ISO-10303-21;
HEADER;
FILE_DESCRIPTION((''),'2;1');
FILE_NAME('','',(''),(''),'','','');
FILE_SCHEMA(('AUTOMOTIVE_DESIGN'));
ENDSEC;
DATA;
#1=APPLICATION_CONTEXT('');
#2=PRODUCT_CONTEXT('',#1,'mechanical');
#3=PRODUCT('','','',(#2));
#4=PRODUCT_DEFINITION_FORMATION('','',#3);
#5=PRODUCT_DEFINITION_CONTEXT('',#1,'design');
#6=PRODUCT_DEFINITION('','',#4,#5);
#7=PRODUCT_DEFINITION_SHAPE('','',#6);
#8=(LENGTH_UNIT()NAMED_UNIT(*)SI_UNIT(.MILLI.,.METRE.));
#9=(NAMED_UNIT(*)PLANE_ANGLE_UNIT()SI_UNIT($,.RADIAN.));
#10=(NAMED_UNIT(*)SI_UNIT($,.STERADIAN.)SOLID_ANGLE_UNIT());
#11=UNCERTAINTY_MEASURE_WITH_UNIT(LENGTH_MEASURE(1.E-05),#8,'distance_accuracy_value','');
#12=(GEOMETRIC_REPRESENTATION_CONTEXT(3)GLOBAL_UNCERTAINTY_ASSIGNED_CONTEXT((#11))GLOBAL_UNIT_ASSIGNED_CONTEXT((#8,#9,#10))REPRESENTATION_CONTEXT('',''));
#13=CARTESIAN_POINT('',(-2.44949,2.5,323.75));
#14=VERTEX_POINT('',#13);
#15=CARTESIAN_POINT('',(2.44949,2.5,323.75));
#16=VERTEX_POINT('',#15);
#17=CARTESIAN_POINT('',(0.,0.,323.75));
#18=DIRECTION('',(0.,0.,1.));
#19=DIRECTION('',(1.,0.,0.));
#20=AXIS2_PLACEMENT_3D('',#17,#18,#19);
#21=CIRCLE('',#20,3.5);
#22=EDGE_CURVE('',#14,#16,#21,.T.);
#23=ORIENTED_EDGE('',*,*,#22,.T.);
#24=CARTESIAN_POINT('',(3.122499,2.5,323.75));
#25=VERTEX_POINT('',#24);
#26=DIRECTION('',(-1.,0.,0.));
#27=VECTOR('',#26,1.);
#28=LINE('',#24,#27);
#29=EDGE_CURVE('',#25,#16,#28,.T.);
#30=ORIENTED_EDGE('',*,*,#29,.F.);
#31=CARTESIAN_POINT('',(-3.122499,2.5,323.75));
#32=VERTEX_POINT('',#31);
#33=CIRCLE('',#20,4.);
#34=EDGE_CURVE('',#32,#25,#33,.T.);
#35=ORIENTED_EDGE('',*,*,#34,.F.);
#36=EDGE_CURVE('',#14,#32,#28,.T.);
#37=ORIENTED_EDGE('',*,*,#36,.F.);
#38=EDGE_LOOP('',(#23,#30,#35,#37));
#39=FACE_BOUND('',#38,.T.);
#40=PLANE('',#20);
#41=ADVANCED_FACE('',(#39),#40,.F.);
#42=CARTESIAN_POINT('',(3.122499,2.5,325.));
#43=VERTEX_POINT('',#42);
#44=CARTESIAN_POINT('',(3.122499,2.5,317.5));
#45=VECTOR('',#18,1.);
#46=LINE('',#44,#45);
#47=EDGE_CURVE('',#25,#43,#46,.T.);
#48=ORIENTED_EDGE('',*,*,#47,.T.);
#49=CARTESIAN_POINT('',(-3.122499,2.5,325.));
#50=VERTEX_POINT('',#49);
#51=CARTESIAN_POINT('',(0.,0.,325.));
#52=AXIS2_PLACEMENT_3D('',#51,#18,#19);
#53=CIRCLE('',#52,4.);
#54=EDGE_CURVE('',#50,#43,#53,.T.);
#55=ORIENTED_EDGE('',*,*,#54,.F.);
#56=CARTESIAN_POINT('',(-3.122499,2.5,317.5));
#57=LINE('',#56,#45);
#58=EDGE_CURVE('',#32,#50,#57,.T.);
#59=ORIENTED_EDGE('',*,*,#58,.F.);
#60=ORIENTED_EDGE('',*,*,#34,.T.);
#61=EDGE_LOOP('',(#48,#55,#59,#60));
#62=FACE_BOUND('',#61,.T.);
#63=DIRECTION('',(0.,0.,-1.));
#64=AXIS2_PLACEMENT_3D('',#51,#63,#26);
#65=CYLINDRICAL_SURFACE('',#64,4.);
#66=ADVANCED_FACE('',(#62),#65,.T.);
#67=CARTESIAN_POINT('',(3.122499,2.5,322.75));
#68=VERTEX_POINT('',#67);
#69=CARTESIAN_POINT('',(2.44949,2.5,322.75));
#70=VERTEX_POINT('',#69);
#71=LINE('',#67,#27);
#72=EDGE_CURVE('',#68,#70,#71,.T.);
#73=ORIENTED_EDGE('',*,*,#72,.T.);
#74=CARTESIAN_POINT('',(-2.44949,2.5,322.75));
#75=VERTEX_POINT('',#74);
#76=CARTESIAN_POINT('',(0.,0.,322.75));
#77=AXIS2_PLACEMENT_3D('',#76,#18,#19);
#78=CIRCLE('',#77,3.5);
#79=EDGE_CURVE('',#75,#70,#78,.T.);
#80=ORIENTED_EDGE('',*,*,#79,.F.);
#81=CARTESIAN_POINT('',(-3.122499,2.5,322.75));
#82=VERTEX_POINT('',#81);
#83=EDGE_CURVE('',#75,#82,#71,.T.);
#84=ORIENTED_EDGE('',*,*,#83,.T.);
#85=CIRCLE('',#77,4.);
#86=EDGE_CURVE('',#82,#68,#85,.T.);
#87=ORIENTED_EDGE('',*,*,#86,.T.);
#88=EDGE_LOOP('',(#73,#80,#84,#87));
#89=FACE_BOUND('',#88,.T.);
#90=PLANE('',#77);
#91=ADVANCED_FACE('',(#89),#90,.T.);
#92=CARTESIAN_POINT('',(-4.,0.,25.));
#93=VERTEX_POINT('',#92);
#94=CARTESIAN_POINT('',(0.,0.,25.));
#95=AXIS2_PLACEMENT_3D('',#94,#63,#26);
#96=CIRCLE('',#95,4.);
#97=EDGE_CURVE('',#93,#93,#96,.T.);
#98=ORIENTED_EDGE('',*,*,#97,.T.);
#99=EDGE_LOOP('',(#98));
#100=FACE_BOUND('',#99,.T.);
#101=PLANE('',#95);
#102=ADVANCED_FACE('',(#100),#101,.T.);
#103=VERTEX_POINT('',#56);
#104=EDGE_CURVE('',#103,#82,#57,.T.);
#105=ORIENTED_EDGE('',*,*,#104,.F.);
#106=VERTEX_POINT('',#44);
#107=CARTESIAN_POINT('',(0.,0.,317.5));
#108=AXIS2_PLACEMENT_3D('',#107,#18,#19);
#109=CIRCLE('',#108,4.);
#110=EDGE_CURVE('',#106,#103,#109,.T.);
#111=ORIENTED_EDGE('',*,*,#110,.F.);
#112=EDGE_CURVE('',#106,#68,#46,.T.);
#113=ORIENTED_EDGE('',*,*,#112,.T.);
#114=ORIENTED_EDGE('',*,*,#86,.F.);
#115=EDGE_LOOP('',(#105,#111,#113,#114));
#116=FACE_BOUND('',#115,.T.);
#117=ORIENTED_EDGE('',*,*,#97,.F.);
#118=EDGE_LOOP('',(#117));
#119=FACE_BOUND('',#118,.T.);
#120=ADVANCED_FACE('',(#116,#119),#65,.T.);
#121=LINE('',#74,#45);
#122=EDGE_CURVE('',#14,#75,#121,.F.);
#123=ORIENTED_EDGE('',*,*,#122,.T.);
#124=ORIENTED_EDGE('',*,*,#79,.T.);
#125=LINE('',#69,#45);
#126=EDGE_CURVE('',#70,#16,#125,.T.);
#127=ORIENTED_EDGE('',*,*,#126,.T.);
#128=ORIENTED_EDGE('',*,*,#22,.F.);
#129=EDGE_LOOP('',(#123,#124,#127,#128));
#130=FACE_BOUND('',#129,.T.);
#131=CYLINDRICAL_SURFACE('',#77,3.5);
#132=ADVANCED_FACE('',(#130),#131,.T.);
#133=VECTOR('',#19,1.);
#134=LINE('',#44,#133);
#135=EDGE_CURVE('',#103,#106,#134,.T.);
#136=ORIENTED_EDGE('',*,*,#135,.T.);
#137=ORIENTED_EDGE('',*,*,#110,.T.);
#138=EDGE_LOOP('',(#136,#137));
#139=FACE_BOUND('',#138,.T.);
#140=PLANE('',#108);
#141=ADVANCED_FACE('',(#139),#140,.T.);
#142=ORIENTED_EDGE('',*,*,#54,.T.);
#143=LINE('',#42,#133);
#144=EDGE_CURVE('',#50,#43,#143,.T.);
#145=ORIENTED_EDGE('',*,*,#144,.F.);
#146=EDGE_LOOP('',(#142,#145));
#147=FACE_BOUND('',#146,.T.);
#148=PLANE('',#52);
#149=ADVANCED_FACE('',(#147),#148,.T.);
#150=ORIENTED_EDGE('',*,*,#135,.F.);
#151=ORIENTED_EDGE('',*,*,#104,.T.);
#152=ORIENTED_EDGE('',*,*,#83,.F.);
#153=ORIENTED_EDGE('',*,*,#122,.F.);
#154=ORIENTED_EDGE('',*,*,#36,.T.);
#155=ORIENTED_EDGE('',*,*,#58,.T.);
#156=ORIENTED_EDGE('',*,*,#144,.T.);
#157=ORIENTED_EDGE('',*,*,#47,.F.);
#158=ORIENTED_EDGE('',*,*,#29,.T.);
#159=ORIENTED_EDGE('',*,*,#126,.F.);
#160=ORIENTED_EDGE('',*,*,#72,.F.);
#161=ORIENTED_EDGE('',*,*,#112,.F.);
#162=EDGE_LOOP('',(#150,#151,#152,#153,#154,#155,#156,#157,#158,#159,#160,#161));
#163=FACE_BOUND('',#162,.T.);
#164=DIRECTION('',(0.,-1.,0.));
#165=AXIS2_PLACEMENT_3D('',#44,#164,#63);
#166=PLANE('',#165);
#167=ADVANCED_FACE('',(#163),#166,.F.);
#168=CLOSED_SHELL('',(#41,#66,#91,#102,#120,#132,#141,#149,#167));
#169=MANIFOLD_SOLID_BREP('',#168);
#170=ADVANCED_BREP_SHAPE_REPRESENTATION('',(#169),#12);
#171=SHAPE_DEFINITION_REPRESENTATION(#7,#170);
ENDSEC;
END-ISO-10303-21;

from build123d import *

# Parameters (mm, degrees)
SKETCH1_R           = 4
BOSS_EXTRUDE1_DEPTH = 325
CUT_EXTRUDE1_DEPTH  = 7.5
SKETCH3_R           = 4
SKETCH3_R_2         = 3.5
CUT_EXTRUDE2_DEPTH  = 1
SKETCH5_R           = 4
CUT_EXTRUDE3_DEPTH  = 65
SKETCH6_R           = 4
BOSS_EXTRUDE2_DEPTH = 13
SKETCH7_R           = 4
BOSS_EXTRUDE3_DEPTH = 10
SKETCH8_R           = 4
BOSS_EXTRUDE4_DEPTH = 40
SKETCH9_R           = 4
CUT_EXTRUDE4_DEPTH  = 30
SKETCH10_R          = 4
CUT_EXTRUDE5_DEPTH  = 61
SKETCH11_R          = 4
BOSS_EXTRUDE5_DEPTH = 68


with BuildPart() as part:
    # Sketch1 → Boss-Extrude1 (new body)
    with BuildSketch(Plane.XY):
        Circle(SKETCH1_R)
    extrude(amount=BOSS_EXTRUDE1_DEPTH)

    # Sketch2 → Cut-Extrude1 (cut)
    with BuildSketch(Plane.XY.offset(325)):
        with BuildLine():
            Line((3.122498999, 2.5), (-3.122498999, 2.5))
            ThreePointArc((-3.122498999, 2.5), (0, 4), (3.122498999, 2.5))
        make_face()
    extrude(amount=-CUT_EXTRUDE1_DEPTH, mode=Mode.SUBTRACT)

    # Sketch3 → Cut-Extrude2 (cut)
    with BuildSketch(Plane.XY.offset(323.75)):
        Circle(SKETCH3_R)
        Circle(SKETCH3_R_2, mode=Mode.SUBTRACT)
    extrude(amount=-CUT_EXTRUDE2_DEPTH, mode=Mode.SUBTRACT)

    # Sketch5 → Cut-Extrude3 (cut)
    with BuildSketch(Plane(origin=(0, 0, 0), x_dir=(-1, 0, 0), z_dir=(0, 0, -1))):
        Circle(SKETCH5_R)
    extrude(amount=-CUT_EXTRUDE3_DEPTH, mode=Mode.SUBTRACT)

    # Sketch6 → Boss-Extrude2 (add)
    with BuildSketch(Plane(origin=(0, 0, 65), x_dir=(-1, 0, 0), z_dir=(0, 0, -1))):
        Circle(SKETCH6_R)
    extrude(amount=BOSS_EXTRUDE2_DEPTH)

    # Sketch7 → Boss-Extrude3 (add)
    with BuildSketch(Plane(origin=(0, 0, 52), x_dir=(-1, 0, 0), z_dir=(0, 0, -1))):
        Circle(SKETCH7_R)
    extrude(amount=BOSS_EXTRUDE3_DEPTH)

    # Sketch8 → Boss-Extrude4 (add)
    with BuildSketch(Plane(origin=(0, 0, 42), x_dir=(-1, 0, 0), z_dir=(0, 0, -1))):
        Circle(SKETCH8_R)
    extrude(amount=BOSS_EXTRUDE4_DEPTH)

    # Sketch9 → Cut-Extrude4 (cut)
    with BuildSketch(Plane(origin=(0, 0, 2), x_dir=(-1, 0, 0), z_dir=(0, 0, -1))):
        Circle(SKETCH9_R)
    extrude(amount=-CUT_EXTRUDE4_DEPTH, mode=Mode.SUBTRACT)

    # Sketch10 → Cut-Extrude5 (cut)
    with BuildSketch(Plane(origin=(0, 0, 32), x_dir=(-1, 0, 0), z_dir=(0, 0, -1))):
        Circle(SKETCH10_R)
    extrude(amount=-CUT_EXTRUDE5_DEPTH, mode=Mode.SUBTRACT)

    # Sketch11 → Boss-Extrude5 (add)
    with BuildSketch(Plane(origin=(0, 0, 93), x_dir=(-1, 0, 0), z_dir=(0, 0, -1))):
        Circle(SKETCH11_R)
    extrude(amount=BOSS_EXTRUDE5_DEPTH)


solid = part.part
